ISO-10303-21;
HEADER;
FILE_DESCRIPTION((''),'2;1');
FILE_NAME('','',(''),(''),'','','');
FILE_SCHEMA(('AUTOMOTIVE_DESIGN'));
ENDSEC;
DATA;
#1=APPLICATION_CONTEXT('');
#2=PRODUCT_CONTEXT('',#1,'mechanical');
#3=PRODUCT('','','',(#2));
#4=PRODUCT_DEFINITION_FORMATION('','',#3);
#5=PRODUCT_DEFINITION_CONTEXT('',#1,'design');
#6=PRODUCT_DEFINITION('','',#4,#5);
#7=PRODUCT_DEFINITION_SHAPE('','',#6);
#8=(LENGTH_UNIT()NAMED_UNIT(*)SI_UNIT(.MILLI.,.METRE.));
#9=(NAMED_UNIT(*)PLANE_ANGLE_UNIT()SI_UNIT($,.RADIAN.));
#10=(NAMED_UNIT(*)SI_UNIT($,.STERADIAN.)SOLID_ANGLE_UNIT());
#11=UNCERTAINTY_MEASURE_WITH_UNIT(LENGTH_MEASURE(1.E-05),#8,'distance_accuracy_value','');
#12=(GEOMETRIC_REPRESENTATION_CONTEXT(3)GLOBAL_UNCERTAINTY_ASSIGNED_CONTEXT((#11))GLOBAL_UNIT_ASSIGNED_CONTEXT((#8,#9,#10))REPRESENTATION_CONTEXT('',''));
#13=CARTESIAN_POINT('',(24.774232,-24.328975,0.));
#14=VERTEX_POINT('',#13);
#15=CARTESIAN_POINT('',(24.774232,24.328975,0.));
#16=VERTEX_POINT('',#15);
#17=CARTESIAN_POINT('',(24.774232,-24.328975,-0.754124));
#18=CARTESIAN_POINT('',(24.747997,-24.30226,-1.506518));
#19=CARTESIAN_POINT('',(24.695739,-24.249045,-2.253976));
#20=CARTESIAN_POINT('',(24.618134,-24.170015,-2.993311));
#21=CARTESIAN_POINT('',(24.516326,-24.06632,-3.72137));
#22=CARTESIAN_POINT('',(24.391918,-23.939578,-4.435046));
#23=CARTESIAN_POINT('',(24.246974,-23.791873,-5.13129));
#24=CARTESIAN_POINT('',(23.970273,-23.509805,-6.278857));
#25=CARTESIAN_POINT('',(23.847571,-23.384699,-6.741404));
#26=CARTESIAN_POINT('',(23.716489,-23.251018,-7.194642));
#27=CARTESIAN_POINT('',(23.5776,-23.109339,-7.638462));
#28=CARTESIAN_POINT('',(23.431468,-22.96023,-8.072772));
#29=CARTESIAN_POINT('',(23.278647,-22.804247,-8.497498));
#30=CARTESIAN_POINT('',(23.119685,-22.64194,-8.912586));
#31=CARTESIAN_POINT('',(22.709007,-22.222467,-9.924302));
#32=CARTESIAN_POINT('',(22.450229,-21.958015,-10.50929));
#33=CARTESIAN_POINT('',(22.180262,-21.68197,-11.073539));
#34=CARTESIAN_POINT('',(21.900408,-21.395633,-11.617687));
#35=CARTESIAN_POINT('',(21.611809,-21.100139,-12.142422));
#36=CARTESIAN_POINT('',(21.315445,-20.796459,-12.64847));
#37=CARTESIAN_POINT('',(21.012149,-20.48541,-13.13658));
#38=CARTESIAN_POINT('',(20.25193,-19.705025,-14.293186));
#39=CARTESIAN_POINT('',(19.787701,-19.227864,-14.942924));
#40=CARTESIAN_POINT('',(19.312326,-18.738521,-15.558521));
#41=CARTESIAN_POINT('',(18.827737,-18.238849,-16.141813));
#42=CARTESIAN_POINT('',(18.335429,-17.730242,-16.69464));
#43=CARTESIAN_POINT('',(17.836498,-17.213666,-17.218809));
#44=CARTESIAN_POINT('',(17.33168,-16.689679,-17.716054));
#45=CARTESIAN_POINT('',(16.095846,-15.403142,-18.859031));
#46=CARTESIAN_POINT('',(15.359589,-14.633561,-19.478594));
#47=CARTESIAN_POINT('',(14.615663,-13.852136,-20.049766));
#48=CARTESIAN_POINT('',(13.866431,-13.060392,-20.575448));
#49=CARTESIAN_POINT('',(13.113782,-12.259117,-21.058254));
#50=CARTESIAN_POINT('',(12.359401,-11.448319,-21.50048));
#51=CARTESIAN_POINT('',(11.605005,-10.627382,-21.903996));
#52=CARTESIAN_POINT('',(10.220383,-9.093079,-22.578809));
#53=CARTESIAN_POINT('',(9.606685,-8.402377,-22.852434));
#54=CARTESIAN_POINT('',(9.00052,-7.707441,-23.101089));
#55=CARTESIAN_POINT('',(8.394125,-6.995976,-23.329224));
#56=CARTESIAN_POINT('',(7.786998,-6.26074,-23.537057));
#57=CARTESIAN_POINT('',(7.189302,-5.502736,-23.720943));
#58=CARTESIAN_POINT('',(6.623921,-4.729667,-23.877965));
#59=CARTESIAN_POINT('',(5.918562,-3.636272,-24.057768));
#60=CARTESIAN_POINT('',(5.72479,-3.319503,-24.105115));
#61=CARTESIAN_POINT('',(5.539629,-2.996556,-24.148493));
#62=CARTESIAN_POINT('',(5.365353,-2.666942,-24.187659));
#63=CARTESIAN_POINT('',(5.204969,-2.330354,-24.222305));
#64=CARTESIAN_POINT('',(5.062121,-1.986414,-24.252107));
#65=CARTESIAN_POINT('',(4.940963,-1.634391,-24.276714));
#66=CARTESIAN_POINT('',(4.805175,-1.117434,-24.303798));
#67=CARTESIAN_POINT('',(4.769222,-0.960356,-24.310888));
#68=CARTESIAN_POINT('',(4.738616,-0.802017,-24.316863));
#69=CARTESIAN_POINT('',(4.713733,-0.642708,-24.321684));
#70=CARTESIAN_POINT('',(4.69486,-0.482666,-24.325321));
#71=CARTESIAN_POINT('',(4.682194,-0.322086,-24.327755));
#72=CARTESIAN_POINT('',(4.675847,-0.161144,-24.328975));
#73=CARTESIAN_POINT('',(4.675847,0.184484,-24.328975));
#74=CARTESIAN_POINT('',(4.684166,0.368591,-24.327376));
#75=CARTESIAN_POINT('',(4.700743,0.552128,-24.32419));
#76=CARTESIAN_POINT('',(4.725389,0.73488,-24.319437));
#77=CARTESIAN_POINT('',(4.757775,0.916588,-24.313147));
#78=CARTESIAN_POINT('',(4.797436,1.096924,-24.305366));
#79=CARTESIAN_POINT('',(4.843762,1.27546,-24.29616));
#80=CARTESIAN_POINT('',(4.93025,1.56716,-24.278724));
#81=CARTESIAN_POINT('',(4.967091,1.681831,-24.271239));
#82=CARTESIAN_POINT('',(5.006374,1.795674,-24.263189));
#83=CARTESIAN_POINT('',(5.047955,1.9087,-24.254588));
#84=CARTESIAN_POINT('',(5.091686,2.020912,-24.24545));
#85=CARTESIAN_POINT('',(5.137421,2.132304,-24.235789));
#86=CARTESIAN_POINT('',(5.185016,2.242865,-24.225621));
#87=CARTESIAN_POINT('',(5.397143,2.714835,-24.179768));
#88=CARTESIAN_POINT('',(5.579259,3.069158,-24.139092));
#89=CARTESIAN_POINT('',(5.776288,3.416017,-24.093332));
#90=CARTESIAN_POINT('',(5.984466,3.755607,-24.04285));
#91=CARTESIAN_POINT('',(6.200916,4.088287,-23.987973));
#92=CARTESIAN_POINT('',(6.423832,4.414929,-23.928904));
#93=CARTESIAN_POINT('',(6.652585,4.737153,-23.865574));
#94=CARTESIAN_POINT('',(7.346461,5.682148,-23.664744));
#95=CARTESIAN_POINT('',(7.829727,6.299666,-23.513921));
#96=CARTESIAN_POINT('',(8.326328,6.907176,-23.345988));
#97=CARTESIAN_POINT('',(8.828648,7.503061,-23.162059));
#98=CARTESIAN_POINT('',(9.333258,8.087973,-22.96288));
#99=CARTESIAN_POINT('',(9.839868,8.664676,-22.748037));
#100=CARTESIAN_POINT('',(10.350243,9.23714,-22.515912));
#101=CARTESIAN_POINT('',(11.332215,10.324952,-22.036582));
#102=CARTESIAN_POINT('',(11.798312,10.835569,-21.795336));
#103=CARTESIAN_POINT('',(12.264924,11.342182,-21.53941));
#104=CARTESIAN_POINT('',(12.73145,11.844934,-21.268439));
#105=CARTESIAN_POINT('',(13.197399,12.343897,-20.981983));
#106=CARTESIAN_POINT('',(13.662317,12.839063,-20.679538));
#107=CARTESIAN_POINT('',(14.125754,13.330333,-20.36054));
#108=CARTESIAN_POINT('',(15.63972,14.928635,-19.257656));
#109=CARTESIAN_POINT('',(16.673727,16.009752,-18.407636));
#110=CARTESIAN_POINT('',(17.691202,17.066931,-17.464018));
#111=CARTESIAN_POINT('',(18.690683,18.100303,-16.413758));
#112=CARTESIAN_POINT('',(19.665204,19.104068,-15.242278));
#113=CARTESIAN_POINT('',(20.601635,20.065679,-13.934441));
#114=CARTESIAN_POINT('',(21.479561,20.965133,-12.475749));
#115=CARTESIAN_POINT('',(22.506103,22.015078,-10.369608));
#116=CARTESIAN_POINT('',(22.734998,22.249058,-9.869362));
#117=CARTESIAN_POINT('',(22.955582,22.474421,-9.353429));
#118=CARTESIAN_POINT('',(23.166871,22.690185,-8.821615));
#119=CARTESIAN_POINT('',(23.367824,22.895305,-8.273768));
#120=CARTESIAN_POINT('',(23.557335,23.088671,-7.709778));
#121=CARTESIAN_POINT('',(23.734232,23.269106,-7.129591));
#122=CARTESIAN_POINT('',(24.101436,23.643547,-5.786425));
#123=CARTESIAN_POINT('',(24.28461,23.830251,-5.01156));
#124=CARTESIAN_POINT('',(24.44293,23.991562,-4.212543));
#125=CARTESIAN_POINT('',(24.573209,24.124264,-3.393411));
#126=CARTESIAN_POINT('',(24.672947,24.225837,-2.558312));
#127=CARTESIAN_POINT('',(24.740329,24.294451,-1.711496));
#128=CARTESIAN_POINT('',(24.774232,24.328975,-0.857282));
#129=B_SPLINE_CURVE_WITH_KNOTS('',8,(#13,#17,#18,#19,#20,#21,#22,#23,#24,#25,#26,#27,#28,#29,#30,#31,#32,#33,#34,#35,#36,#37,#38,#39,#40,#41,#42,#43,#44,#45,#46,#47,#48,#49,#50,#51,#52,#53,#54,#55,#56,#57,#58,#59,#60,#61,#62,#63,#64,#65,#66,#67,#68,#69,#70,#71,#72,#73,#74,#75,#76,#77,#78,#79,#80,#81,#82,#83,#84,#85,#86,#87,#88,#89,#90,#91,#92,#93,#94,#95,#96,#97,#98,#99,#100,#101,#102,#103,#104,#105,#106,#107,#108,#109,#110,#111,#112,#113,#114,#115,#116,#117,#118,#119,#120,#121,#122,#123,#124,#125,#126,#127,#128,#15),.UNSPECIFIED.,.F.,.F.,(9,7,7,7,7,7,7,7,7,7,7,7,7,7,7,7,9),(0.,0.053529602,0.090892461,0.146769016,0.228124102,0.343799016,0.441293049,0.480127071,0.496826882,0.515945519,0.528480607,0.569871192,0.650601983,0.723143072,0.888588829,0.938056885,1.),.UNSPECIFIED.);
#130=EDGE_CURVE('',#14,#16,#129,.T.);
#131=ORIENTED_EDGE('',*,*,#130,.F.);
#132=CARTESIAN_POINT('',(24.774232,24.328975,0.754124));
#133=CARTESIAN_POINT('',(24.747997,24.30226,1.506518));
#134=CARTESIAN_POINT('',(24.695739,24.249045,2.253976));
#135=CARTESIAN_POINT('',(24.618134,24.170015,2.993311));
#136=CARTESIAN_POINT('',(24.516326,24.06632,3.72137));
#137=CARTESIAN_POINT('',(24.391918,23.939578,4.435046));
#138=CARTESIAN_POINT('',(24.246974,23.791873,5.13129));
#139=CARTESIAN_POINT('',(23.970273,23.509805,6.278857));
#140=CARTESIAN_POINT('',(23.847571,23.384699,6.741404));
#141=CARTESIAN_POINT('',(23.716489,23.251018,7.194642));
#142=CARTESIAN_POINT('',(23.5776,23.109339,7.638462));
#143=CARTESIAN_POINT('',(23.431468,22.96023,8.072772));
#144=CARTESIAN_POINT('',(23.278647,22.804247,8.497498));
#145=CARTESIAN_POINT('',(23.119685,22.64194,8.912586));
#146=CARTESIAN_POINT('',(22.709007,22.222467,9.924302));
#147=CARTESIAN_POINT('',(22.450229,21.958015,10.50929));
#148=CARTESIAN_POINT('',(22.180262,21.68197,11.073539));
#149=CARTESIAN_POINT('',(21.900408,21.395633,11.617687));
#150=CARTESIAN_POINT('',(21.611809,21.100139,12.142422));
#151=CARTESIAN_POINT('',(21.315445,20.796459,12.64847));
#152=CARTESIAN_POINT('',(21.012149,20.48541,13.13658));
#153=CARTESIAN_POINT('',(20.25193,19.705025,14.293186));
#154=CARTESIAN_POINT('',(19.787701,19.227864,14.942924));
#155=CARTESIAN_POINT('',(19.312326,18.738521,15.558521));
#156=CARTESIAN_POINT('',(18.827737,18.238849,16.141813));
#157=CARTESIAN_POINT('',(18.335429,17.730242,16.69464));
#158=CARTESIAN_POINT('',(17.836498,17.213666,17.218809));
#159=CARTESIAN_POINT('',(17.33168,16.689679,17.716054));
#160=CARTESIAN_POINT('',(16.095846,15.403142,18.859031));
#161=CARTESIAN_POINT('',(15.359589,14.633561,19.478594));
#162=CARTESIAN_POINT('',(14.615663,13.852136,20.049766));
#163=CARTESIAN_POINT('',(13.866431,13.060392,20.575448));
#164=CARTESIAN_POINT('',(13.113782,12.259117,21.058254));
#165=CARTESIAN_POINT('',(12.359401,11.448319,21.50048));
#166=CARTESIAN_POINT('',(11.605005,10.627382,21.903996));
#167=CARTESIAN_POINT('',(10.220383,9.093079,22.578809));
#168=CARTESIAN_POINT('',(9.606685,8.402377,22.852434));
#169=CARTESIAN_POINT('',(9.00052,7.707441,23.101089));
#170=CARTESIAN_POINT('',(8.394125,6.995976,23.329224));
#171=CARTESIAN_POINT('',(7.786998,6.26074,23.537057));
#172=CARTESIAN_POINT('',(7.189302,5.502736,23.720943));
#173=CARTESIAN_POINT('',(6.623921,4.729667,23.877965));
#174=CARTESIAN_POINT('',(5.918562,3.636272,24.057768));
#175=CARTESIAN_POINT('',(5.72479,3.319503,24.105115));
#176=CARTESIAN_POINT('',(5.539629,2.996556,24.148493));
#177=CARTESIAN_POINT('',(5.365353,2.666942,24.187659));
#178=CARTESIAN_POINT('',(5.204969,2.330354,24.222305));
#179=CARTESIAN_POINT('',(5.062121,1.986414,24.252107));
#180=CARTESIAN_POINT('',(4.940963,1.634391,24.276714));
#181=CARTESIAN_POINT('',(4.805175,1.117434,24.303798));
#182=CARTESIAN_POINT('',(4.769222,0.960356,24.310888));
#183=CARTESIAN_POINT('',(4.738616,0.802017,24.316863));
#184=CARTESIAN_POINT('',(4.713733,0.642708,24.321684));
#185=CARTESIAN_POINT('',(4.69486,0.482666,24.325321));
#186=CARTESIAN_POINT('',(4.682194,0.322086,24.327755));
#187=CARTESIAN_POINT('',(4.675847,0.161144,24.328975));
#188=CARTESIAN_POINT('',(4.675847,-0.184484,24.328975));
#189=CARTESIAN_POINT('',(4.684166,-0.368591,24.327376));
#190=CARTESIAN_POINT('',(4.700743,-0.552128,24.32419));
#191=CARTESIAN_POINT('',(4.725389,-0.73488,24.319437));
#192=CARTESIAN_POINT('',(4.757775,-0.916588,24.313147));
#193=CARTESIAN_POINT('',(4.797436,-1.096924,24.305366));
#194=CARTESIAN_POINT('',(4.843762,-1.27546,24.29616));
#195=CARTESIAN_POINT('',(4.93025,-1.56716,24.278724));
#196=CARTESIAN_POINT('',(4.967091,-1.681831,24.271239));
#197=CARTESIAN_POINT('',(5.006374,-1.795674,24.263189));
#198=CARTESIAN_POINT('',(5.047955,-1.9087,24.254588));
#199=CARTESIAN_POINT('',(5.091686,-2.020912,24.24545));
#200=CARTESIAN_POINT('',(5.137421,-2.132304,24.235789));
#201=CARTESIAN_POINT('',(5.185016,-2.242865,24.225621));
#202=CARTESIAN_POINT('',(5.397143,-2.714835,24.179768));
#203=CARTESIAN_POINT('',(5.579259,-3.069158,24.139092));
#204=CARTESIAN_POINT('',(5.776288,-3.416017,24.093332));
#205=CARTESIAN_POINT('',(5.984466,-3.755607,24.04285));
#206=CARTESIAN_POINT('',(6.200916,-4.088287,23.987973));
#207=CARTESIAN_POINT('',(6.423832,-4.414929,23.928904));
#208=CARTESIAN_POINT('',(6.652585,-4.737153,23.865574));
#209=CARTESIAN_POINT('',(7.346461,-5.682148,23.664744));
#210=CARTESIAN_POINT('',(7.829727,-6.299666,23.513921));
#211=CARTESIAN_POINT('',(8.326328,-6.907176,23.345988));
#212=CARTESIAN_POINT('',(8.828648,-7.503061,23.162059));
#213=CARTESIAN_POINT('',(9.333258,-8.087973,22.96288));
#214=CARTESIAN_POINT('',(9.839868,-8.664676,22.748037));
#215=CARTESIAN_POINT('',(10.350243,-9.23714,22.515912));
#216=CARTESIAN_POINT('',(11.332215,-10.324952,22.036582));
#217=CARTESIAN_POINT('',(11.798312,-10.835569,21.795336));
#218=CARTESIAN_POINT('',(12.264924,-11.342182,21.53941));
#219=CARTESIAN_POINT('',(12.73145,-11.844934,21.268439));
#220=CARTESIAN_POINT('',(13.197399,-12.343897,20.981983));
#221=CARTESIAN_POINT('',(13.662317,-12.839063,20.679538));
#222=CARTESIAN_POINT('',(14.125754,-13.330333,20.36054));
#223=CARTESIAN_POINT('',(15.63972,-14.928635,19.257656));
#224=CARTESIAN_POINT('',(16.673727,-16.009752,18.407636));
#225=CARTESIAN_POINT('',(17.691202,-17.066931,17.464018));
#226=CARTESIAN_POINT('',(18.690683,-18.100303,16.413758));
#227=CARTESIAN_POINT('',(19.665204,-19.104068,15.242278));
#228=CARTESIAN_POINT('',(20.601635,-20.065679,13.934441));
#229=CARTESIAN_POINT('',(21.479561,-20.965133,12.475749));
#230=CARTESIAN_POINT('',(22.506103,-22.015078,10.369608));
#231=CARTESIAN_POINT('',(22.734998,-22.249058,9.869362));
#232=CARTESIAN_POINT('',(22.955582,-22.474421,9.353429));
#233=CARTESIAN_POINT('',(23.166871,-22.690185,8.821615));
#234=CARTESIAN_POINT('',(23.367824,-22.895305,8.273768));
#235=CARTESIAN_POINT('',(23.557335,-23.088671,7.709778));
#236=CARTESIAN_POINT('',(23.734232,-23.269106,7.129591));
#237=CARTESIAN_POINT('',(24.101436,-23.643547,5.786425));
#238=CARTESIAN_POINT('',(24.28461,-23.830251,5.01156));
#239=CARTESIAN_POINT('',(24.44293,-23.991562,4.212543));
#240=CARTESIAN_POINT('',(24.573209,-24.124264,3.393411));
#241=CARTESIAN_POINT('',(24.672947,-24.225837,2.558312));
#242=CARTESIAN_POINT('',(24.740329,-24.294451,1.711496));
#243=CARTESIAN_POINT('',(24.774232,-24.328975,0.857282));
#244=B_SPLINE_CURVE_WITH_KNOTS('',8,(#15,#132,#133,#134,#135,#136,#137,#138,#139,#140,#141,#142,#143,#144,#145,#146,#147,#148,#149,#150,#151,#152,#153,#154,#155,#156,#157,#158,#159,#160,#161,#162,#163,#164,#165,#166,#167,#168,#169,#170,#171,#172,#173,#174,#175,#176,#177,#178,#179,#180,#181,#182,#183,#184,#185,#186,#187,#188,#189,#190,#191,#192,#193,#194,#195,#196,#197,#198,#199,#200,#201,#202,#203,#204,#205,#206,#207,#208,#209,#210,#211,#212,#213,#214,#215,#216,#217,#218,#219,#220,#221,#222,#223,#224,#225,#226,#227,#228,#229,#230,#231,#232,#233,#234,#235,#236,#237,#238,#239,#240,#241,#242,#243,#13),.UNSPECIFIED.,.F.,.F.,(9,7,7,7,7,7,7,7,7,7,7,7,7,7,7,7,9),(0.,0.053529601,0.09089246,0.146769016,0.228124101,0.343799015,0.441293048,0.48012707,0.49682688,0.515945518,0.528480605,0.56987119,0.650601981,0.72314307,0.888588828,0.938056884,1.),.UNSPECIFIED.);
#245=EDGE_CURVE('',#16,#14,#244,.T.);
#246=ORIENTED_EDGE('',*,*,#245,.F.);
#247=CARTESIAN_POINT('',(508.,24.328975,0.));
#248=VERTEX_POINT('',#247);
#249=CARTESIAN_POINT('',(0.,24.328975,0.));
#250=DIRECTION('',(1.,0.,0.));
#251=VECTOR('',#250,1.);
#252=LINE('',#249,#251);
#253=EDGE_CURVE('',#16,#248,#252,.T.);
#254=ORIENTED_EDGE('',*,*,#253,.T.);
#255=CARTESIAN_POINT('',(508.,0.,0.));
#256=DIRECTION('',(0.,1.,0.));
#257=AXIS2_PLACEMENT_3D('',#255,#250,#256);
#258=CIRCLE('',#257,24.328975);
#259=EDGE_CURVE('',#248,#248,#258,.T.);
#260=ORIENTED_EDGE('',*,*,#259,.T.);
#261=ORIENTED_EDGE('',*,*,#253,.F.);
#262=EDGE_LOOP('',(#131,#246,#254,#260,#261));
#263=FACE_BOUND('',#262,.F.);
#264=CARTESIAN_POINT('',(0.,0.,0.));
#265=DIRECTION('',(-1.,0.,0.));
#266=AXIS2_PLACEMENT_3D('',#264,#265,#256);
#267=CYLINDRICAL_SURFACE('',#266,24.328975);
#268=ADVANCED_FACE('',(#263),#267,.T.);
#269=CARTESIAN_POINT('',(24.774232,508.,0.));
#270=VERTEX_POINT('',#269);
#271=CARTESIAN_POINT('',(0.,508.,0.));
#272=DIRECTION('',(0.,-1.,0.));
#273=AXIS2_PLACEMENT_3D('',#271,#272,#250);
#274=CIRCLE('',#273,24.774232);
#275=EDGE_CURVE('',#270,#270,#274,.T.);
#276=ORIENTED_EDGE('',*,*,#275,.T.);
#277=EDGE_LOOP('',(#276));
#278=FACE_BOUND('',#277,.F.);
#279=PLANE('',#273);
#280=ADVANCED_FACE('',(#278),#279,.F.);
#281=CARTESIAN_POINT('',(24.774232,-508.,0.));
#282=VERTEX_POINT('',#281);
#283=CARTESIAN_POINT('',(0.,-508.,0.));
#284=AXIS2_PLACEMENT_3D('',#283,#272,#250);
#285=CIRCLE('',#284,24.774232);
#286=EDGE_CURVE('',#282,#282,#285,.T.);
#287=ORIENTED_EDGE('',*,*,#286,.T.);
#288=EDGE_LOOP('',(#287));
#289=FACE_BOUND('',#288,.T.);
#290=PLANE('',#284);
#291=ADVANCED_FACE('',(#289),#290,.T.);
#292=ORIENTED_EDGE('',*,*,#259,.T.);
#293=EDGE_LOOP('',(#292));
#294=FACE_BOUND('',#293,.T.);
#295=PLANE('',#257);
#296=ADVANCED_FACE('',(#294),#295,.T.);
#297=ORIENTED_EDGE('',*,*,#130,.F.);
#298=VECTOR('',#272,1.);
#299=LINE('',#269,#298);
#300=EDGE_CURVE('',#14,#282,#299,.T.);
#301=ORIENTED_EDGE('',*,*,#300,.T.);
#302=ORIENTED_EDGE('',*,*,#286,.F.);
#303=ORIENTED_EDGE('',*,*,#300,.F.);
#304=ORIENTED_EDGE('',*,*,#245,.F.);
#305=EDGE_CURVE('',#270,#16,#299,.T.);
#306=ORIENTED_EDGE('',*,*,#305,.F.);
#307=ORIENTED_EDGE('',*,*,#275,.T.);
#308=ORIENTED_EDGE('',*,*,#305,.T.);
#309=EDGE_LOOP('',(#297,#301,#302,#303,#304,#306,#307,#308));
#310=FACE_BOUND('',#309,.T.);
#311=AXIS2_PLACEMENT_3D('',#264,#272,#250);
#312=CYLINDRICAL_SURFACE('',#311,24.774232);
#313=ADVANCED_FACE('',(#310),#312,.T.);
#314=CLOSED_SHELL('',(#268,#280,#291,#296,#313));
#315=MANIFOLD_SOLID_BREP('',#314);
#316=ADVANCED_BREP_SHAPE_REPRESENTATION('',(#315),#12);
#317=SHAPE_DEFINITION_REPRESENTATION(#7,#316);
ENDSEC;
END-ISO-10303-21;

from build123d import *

# Parameters (mm, degrees)
F0_R     = 24.774232
F1_DEPTH = 508
F2_R     = 24.328975
F3_DEPTH = 508


with BuildPart() as f1:
    # F0 (on Front) → F1 (new body, symmetric)
    with BuildSketch(Plane.XZ):
        Circle(F0_R)
    extrude(amount=F1_DEPTH, both=True)

    # F2 (on Right) → F3 (join)
    with BuildSketch(Plane.YZ):
        Circle(F2_R)
    extrude(amount=F3_DEPTH)


solid = f1.part
